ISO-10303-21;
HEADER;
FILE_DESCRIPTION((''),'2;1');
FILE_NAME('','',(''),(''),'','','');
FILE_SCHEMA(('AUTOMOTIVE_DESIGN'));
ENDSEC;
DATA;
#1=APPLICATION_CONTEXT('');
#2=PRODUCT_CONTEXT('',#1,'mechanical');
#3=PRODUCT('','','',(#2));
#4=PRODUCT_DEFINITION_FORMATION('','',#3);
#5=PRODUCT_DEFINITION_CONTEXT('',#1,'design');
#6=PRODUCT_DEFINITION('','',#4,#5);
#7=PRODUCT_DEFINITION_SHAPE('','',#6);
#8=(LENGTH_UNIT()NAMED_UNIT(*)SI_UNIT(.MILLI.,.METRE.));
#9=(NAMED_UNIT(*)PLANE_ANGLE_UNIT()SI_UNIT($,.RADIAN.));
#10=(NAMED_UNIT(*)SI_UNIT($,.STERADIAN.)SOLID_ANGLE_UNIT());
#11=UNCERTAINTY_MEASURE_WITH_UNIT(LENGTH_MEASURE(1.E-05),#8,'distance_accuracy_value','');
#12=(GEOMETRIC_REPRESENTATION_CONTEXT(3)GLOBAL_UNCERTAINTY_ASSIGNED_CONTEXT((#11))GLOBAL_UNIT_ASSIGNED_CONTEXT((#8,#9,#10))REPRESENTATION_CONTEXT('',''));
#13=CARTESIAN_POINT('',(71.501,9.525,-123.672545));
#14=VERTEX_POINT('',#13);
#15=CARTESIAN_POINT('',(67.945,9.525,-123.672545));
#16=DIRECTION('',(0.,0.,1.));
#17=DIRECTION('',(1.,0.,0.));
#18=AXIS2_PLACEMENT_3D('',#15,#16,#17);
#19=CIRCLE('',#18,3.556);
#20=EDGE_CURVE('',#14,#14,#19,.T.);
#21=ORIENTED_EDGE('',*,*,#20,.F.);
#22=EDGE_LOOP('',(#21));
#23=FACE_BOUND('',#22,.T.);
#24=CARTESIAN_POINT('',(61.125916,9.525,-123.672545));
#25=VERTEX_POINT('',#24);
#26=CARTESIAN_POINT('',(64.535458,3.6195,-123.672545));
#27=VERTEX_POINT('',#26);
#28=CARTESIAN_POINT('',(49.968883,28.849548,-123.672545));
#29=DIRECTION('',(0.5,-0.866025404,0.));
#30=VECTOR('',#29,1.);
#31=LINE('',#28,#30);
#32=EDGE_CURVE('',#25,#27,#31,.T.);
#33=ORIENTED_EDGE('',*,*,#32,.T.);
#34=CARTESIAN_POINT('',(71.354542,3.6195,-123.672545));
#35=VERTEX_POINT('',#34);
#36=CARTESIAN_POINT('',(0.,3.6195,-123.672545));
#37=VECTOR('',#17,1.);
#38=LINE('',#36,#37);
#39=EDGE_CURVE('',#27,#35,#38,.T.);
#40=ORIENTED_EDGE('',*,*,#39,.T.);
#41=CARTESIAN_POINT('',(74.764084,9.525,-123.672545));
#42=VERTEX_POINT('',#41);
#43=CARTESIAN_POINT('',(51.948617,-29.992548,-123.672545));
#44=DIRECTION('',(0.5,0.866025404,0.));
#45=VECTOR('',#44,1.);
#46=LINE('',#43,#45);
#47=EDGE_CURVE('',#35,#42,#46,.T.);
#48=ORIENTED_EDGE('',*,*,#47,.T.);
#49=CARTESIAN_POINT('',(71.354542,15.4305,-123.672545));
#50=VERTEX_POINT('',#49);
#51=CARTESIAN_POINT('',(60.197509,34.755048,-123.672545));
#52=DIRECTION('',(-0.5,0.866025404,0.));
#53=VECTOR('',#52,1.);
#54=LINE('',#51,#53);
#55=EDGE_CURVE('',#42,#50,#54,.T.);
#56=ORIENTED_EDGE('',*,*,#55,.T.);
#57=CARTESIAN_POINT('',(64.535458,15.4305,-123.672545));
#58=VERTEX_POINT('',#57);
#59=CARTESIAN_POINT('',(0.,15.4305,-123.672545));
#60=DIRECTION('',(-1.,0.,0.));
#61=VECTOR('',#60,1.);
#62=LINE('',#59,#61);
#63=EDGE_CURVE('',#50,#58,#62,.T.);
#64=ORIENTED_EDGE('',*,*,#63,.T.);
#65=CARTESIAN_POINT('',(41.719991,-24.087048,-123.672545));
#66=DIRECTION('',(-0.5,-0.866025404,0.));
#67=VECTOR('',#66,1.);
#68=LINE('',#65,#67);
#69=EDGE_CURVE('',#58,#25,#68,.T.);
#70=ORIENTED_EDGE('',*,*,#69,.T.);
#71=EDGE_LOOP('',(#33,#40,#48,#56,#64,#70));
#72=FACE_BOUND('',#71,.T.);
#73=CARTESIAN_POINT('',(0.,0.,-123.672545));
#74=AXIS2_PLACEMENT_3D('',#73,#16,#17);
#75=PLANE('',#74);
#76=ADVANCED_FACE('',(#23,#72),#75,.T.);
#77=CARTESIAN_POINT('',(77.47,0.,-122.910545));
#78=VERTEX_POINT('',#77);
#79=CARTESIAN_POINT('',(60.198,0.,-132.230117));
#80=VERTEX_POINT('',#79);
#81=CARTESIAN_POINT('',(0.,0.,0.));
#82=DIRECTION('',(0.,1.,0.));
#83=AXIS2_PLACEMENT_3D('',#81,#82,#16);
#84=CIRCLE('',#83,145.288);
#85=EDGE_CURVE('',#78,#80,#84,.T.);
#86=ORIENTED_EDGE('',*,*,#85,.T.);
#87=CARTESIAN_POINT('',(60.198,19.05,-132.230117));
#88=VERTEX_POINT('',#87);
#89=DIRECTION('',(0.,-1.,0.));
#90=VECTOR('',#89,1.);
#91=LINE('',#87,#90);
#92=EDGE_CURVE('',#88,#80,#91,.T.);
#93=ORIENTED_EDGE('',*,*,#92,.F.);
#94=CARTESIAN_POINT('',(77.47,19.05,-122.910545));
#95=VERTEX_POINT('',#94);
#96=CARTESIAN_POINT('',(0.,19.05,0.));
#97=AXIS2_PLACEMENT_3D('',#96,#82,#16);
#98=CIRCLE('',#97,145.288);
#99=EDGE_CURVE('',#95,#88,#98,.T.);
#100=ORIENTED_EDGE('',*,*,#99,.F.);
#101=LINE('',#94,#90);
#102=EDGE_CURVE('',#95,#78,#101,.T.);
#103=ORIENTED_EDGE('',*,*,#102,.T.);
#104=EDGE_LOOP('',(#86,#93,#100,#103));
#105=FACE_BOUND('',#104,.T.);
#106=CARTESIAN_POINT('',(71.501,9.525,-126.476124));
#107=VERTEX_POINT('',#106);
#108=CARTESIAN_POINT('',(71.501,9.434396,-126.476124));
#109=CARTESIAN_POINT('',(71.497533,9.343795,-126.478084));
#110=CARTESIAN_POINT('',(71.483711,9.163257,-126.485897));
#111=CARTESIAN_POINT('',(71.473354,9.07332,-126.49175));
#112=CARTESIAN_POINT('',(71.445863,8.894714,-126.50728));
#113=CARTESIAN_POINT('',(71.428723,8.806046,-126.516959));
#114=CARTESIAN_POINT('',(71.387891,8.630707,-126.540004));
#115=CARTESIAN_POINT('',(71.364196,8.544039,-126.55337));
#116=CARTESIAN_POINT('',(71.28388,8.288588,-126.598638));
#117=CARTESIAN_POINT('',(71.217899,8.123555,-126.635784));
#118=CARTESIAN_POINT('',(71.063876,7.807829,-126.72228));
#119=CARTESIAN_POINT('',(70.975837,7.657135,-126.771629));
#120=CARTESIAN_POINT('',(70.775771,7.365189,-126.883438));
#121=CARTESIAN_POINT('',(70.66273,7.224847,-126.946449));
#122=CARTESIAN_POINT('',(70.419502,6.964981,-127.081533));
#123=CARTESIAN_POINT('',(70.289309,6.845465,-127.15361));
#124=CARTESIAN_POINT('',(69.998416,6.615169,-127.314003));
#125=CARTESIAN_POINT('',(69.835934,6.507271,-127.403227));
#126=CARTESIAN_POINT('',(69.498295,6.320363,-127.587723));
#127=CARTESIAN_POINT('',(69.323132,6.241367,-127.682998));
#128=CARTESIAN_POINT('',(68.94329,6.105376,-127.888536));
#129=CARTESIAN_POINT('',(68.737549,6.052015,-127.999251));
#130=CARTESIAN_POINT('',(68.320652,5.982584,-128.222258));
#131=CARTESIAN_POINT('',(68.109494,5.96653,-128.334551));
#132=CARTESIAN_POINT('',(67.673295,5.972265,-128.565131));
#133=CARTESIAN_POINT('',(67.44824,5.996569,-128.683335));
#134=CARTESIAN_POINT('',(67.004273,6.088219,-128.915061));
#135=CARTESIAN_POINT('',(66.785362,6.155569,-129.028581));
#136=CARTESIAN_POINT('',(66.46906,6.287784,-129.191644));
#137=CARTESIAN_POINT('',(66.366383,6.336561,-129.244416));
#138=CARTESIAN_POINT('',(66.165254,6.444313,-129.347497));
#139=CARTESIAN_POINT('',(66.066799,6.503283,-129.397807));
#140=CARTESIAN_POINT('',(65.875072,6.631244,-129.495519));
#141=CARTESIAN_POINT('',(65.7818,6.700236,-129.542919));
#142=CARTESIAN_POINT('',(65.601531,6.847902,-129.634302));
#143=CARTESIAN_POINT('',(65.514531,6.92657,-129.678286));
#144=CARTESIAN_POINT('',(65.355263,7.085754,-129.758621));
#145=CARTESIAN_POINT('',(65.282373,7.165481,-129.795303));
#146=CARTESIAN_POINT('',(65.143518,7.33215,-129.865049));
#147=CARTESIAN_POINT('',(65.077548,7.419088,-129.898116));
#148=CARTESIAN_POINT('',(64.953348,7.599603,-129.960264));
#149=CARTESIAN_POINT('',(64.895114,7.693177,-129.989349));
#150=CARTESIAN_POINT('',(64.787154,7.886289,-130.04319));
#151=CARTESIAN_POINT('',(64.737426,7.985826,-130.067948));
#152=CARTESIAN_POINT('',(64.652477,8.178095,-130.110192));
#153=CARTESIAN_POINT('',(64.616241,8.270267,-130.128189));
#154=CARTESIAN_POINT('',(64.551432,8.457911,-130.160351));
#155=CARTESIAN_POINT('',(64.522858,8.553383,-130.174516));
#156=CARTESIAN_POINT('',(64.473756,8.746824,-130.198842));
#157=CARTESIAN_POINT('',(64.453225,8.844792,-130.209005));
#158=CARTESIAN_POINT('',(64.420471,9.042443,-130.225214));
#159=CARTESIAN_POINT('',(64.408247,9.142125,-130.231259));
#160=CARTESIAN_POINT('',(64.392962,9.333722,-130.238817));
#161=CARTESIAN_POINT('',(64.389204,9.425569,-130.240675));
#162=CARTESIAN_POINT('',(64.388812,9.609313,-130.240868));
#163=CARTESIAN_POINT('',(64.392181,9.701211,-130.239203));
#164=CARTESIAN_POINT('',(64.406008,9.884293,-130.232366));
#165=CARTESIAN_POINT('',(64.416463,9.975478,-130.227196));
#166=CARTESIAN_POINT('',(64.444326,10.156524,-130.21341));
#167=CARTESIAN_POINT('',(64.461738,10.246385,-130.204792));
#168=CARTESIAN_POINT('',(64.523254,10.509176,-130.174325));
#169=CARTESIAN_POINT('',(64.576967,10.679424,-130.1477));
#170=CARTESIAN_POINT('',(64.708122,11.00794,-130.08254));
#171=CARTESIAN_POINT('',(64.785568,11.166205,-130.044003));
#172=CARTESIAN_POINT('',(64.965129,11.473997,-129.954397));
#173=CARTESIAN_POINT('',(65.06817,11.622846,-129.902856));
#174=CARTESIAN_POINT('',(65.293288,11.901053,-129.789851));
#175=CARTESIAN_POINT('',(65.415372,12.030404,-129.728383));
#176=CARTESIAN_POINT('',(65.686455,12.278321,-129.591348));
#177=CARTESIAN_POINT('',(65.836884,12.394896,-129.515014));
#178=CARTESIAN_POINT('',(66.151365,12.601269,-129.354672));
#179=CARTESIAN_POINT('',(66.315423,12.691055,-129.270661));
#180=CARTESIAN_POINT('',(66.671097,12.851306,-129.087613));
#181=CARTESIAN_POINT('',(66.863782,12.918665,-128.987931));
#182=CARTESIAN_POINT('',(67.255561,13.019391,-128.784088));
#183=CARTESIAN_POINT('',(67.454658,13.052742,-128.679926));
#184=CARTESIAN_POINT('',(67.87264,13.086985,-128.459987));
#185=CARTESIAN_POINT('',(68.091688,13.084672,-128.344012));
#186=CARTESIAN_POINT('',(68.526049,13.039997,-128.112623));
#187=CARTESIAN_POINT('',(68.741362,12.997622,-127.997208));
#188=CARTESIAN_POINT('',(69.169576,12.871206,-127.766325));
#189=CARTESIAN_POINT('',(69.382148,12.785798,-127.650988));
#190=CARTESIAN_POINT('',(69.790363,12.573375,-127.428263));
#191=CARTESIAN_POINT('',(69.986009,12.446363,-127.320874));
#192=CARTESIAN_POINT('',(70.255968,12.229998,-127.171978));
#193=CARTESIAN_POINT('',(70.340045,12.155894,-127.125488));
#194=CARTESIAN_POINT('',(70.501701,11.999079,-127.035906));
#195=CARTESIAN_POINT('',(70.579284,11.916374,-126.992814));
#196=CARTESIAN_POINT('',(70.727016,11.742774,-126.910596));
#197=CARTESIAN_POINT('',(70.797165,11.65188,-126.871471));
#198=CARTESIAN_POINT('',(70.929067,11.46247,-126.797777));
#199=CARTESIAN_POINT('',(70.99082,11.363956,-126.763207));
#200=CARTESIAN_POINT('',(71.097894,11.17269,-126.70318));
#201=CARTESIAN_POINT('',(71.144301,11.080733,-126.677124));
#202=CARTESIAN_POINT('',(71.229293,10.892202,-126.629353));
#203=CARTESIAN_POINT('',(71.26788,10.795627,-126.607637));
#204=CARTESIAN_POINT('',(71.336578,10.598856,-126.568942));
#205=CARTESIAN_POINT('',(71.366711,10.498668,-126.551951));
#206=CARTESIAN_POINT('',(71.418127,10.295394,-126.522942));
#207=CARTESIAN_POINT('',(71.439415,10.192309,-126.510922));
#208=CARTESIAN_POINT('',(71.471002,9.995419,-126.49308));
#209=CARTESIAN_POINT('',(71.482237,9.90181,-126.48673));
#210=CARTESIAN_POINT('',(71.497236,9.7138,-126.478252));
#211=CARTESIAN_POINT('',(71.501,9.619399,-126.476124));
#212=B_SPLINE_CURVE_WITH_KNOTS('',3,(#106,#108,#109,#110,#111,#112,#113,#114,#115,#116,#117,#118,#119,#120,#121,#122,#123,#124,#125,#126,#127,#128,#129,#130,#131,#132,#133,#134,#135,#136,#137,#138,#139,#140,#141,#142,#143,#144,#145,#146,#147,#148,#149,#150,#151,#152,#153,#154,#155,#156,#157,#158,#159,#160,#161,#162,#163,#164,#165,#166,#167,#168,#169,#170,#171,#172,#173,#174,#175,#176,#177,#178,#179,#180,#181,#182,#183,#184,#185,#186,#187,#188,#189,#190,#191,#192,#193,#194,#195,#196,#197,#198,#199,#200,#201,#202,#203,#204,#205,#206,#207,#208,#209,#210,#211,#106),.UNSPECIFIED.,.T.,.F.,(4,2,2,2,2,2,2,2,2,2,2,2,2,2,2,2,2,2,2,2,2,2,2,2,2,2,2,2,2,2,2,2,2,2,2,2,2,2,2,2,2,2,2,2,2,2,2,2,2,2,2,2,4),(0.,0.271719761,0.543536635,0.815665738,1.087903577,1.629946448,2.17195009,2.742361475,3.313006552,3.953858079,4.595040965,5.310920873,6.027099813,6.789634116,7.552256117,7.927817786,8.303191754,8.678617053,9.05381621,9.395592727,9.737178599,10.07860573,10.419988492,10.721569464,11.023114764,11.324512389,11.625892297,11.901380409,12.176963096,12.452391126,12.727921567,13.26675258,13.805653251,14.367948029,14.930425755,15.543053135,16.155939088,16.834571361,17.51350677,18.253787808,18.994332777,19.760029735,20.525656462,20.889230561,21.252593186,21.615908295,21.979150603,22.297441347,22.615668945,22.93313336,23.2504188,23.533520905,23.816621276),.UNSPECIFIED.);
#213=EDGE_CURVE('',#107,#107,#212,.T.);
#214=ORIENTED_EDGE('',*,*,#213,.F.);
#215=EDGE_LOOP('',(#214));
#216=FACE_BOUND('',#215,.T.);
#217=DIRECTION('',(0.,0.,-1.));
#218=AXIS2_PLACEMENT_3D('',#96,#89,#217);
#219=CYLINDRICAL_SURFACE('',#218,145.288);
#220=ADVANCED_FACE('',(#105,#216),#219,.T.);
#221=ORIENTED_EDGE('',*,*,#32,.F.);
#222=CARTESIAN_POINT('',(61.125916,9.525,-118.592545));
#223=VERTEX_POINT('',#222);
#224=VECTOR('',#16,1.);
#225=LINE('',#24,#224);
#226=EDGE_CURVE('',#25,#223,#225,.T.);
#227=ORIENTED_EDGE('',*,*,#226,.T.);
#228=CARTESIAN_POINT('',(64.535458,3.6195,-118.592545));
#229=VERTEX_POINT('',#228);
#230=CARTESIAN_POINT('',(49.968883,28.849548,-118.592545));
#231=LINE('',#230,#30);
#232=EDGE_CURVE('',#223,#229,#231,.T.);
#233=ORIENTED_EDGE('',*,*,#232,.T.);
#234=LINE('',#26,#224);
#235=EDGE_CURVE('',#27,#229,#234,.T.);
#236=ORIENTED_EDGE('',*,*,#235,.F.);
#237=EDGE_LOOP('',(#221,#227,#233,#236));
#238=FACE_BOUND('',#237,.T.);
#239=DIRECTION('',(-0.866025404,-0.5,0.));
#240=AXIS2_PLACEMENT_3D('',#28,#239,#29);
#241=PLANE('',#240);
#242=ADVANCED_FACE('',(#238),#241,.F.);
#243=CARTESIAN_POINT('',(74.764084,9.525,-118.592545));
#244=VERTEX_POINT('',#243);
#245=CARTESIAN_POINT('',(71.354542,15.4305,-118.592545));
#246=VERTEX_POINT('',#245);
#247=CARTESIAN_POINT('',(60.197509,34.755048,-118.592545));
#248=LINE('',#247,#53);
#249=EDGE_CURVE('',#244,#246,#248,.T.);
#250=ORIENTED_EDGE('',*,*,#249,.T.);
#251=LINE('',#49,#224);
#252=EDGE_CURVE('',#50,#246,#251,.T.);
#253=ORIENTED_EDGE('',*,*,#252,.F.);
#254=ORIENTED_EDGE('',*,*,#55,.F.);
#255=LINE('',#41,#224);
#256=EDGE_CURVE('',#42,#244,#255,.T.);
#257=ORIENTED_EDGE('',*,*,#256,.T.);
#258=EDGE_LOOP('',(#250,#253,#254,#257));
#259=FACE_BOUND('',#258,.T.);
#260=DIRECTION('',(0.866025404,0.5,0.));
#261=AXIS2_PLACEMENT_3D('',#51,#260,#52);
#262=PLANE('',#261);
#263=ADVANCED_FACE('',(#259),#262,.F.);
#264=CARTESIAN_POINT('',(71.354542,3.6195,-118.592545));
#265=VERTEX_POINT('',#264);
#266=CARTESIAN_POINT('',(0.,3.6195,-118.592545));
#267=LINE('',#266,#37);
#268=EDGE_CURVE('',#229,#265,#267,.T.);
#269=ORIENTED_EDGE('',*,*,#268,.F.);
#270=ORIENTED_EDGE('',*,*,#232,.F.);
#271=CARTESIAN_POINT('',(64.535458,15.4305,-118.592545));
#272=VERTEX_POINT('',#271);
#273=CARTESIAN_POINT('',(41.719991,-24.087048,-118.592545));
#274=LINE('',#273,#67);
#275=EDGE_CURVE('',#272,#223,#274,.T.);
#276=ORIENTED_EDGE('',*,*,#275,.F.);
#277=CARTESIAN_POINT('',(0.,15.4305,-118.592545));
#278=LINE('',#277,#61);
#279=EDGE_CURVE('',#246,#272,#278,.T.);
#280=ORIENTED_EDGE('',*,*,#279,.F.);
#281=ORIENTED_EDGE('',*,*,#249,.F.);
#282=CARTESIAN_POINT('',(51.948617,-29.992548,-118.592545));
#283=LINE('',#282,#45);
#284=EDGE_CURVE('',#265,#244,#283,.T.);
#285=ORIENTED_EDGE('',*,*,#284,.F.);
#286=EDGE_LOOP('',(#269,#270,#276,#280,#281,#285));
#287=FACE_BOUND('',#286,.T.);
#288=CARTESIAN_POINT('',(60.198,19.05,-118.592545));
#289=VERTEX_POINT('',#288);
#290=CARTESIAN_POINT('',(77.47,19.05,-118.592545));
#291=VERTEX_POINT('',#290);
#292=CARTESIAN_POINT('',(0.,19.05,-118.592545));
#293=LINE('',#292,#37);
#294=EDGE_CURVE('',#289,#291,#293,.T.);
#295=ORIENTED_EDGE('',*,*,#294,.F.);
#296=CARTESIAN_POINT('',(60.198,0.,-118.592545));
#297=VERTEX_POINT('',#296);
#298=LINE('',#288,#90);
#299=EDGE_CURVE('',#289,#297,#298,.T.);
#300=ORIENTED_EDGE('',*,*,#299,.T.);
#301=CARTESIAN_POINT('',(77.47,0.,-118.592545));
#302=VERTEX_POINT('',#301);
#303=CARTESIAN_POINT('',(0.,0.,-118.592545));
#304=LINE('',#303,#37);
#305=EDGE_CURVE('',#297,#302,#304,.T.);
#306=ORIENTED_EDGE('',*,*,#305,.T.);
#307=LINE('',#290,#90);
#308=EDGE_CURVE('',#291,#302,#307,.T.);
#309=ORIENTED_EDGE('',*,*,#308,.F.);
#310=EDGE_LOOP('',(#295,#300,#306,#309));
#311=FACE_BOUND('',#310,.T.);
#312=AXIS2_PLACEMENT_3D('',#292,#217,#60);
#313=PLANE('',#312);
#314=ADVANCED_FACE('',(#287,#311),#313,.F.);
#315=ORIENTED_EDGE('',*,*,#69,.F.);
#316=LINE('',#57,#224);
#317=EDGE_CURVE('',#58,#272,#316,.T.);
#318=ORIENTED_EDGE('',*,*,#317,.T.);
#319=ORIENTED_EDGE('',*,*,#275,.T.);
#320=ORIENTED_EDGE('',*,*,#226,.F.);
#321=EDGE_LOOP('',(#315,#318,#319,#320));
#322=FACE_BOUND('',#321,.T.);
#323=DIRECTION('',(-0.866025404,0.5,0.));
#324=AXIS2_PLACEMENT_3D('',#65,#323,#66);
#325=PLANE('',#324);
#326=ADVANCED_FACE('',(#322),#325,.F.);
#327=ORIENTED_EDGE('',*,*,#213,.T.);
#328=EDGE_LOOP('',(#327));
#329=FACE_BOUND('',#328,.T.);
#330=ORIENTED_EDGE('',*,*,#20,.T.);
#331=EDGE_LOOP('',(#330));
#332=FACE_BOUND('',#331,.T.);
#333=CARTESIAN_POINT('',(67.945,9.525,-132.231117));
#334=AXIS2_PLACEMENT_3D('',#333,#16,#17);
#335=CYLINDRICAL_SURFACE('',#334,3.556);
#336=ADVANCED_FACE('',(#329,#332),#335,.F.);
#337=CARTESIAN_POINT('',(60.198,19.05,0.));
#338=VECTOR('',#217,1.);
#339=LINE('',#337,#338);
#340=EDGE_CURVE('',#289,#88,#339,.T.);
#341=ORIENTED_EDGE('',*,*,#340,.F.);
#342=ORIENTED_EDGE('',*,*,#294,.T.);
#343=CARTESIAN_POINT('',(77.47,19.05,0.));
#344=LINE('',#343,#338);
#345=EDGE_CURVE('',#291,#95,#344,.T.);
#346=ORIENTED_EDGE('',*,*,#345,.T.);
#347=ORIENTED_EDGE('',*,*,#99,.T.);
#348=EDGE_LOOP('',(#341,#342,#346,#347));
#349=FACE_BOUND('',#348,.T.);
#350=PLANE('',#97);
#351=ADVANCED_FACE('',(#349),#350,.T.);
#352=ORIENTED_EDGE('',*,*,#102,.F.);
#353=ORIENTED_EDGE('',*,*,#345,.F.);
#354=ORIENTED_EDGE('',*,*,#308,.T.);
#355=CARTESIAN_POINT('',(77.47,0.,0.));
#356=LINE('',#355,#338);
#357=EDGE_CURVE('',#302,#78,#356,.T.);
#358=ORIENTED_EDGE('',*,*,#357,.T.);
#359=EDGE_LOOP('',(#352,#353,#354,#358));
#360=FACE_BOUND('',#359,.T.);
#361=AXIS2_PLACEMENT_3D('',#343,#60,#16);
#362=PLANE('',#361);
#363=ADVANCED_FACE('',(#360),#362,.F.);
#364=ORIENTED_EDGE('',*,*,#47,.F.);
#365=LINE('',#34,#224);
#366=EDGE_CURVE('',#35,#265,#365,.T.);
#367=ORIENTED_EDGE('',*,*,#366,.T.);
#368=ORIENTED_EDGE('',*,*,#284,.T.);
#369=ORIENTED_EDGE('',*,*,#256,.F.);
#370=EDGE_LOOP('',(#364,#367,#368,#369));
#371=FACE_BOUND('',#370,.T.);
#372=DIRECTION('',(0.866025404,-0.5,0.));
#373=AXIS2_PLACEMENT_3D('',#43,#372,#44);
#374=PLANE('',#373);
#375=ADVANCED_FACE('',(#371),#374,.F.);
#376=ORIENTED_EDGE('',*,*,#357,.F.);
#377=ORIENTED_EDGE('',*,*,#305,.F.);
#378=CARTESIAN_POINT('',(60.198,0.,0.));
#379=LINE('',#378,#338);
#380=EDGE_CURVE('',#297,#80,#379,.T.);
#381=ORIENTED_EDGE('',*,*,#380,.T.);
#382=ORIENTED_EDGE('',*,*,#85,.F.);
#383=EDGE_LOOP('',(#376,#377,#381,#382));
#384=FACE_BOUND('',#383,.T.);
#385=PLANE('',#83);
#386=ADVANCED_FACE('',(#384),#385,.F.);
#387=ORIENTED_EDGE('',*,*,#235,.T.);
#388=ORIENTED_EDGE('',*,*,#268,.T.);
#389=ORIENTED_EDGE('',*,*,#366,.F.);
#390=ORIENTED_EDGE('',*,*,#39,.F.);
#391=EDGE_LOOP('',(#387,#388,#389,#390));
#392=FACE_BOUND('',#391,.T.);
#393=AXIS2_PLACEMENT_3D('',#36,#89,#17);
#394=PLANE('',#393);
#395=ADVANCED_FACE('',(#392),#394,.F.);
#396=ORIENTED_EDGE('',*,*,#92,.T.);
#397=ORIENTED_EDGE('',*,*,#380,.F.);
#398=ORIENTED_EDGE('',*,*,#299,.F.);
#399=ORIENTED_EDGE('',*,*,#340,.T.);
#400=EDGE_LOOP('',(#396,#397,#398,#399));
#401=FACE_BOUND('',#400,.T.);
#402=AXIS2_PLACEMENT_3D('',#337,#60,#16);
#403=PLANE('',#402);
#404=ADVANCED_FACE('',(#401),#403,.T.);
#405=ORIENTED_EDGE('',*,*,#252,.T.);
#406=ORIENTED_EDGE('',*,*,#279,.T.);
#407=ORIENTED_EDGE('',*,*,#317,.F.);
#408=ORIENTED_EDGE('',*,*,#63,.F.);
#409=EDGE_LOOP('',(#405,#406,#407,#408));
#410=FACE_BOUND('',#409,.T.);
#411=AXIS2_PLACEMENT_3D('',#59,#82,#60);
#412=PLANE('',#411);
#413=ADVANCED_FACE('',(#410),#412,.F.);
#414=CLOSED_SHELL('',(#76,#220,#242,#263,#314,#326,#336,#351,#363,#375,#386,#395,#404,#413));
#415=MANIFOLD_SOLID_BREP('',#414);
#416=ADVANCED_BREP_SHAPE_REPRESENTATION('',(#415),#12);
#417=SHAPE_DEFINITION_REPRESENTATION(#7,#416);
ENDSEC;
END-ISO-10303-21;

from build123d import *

# Parameters (mm, degrees)
BOSS_EXTRUDE1_DEPTH     = 19.05
CUT_EXTRUDE1_DEPTH      = 5.08
CUT_EXTRUDE2_REACH      = 82.935
CUT_EXTRUDE2_END_RADIUS = 145.288
SKETCH2_3_R             = 3.556


with BuildPart() as part:
    # Sketch1 → Boss-Extrude1 (new body)
    with BuildSketch(Plane(origin=(0, 0, 0), x_dir=(1, 0, 0), z_dir=(0, 1, 0))):
        with BuildLine():
            ThreePointArc((77.47, 122.910544885), (68.991544122, 127.862307909), (60.198, 132.230116615))
            Line((60.198, 132.230116615), (60.198, 118.592544885))
            Line((60.198, 118.592544885), (77.47, 118.592544885))
            Line((77.47, 118.592544885), (77.47, 122.910544885))
        make_face()
    extrude(amount=BOSS_EXTRUDE1_DEPTH)

    # Sketch2 → Cut-Extrude1 (cut)
    with BuildSketch(Plane.XY.offset(-118.592544885)):
        Polygon((71.354542015, 3.6195), (74.764084029, 9.525), (71.354542015, 15.4305), (64.535457985, 15.4305), (61.125915971, 9.525), (64.535457985, 3.6195), align=None)
    extrude(amount=-CUT_EXTRUDE1_DEPTH, mode=Mode.SUBTRACT)

    # Cut-Extrude2: up to this cylinder (the profile starts inside it)
    cut_extrude2_end = Plane(origin=(0, 9.525, 0), z_dir=(0, -1, 0)) * Cylinder(CUT_EXTRUDE2_END_RADIUS, 457.446, mode=Mode.PRIVATE)
    # Sketch2<3> → Cut-Extrude2 (cut, up to the surface)
    with BuildSketch(Plane.XY.offset(-118.592544885), mode=Mode.PRIVATE) as cut_extrude2_sk1:
        with Locations((67.945, 9.525)):
            Circle(SKETCH2_3_R)
    cut_extrude2_tool1 = extrude(cut_extrude2_sk1.sketch, amount=-CUT_EXTRUDE2_REACH, mode=Mode.PRIVATE) & cut_extrude2_end
    add(cut_extrude2_tool1.solids().sort_by_distance((67.945, 9.525, -118.592545))[0], mode=Mode.SUBTRACT)


solid = part.part
